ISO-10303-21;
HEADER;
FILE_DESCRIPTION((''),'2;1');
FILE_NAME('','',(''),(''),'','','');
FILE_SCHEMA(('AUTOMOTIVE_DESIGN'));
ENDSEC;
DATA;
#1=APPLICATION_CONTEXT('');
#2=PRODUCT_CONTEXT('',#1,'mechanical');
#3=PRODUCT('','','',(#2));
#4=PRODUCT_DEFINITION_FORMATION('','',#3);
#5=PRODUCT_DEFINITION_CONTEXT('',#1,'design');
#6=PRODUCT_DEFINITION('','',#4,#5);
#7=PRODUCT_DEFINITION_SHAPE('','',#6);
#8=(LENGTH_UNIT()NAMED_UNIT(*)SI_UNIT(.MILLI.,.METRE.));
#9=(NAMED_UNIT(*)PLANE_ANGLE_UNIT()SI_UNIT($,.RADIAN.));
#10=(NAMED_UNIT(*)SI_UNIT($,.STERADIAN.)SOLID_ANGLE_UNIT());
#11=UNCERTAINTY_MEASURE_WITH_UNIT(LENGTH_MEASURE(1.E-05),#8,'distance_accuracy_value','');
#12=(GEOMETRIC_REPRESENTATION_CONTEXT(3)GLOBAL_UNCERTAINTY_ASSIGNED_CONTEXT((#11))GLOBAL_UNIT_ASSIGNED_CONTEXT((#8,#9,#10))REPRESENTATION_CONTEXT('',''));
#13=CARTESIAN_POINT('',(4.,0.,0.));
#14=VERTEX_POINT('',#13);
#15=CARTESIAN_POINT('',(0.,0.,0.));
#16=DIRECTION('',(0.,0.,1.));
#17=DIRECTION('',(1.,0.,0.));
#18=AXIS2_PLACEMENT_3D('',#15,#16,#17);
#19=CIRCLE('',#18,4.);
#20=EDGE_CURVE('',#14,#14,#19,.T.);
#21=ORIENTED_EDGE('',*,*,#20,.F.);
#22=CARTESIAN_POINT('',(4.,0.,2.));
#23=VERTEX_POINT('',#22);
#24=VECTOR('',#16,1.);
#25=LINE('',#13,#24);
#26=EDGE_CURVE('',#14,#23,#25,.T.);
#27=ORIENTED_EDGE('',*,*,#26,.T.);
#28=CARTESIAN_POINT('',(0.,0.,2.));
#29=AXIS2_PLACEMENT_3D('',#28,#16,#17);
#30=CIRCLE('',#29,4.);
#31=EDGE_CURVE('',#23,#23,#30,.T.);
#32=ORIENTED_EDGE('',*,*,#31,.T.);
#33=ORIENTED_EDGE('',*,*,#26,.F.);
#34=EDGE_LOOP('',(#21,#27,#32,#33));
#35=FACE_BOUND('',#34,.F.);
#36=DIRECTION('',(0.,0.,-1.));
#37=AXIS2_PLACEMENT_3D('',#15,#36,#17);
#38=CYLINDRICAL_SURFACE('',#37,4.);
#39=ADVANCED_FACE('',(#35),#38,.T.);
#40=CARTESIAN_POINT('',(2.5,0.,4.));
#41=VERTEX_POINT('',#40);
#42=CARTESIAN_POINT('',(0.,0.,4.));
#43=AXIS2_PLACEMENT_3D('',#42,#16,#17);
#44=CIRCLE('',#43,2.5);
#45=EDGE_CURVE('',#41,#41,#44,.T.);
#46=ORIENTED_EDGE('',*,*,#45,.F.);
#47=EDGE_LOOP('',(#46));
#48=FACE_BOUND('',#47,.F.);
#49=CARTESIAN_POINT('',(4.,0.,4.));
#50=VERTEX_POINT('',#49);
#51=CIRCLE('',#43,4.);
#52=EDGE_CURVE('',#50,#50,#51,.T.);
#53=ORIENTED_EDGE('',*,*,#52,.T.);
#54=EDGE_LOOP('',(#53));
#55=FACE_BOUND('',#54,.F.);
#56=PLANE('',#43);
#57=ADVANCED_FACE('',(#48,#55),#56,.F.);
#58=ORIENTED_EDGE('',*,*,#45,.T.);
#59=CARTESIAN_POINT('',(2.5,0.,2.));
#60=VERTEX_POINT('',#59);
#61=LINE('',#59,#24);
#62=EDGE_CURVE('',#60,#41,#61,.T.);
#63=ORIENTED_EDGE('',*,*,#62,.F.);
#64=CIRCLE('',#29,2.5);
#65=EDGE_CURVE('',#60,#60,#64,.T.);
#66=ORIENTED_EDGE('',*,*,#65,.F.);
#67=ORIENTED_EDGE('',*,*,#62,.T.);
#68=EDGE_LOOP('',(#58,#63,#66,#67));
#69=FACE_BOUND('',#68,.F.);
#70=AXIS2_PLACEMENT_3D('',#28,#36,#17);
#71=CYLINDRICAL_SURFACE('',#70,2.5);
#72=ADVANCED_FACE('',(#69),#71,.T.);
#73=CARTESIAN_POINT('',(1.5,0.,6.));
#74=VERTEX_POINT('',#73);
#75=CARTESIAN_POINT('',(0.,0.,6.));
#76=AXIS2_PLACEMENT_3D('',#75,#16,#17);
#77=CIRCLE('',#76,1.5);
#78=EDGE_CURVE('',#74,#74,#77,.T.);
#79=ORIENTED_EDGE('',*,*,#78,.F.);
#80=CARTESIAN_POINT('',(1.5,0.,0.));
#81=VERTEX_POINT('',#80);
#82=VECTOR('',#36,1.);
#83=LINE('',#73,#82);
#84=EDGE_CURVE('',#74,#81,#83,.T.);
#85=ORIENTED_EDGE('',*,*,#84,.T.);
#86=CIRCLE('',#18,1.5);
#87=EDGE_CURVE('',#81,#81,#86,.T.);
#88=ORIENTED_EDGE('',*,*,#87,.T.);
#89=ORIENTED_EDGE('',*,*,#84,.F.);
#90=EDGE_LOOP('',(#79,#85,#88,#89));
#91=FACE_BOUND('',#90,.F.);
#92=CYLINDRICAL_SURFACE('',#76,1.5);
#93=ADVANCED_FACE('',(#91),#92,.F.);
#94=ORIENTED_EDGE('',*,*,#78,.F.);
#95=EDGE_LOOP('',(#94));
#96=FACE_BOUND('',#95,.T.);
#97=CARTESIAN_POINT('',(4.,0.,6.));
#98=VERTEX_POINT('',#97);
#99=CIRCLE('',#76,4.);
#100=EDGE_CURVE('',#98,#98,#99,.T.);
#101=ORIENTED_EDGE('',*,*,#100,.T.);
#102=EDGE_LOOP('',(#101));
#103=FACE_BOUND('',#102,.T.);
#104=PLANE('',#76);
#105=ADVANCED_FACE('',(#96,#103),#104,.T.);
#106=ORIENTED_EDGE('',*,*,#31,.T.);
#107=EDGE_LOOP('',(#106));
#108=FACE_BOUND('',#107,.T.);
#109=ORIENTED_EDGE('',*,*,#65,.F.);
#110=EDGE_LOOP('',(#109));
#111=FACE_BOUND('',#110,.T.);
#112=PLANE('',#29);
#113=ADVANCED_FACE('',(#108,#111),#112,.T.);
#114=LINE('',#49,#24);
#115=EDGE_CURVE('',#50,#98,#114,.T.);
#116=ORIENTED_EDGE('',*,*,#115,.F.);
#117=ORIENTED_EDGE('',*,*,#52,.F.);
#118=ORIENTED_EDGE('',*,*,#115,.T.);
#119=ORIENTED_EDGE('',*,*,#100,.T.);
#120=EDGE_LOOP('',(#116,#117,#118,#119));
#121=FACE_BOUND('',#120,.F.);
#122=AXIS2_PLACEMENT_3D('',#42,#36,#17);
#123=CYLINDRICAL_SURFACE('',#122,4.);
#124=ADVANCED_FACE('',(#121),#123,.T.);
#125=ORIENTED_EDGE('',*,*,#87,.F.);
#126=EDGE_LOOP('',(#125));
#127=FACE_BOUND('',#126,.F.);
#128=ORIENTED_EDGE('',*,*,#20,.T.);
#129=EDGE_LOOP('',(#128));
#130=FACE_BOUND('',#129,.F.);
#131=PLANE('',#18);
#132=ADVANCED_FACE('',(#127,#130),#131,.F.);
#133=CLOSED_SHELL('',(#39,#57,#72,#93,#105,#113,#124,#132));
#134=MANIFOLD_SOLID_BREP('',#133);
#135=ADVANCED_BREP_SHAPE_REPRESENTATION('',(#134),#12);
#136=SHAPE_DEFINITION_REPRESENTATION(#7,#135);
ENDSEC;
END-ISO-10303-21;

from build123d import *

# Parameters (mm, degrees)
SKETCH_R     = 4
PAD_DEPTH    = 2
SKETCH001_R  = 2.5
PAD001_DEPTH = 2
SKETCH002_R  = 4
PAD002_DEPTH = 2
SKETCH003_R  = 1.5
POCKET_DEPTH = 6.001


with BuildPart() as part:
    # Sketch → Pad (new body)
    with BuildSketch(Plane.XY):
        Circle(SKETCH_R)
    extrude(amount=PAD_DEPTH)

    # Sketch001 → Pad001 (new body)
    with BuildSketch(Plane.XY.offset(2)):
        Circle(SKETCH001_R)
    extrude(amount=PAD001_DEPTH)

    # Sketch002 → Pad002 (new body)
    with BuildSketch(Plane.XY.offset(4)):
        Circle(SKETCH002_R)
    extrude(amount=PAD002_DEPTH)

    # Sketch003 → Pocket (cut, through all)
    with BuildSketch(Plane.XY.offset(6)):
        Circle(SKETCH003_R)
    extrude(amount=-POCKET_DEPTH, mode=Mode.SUBTRACT)


solid = part.part
